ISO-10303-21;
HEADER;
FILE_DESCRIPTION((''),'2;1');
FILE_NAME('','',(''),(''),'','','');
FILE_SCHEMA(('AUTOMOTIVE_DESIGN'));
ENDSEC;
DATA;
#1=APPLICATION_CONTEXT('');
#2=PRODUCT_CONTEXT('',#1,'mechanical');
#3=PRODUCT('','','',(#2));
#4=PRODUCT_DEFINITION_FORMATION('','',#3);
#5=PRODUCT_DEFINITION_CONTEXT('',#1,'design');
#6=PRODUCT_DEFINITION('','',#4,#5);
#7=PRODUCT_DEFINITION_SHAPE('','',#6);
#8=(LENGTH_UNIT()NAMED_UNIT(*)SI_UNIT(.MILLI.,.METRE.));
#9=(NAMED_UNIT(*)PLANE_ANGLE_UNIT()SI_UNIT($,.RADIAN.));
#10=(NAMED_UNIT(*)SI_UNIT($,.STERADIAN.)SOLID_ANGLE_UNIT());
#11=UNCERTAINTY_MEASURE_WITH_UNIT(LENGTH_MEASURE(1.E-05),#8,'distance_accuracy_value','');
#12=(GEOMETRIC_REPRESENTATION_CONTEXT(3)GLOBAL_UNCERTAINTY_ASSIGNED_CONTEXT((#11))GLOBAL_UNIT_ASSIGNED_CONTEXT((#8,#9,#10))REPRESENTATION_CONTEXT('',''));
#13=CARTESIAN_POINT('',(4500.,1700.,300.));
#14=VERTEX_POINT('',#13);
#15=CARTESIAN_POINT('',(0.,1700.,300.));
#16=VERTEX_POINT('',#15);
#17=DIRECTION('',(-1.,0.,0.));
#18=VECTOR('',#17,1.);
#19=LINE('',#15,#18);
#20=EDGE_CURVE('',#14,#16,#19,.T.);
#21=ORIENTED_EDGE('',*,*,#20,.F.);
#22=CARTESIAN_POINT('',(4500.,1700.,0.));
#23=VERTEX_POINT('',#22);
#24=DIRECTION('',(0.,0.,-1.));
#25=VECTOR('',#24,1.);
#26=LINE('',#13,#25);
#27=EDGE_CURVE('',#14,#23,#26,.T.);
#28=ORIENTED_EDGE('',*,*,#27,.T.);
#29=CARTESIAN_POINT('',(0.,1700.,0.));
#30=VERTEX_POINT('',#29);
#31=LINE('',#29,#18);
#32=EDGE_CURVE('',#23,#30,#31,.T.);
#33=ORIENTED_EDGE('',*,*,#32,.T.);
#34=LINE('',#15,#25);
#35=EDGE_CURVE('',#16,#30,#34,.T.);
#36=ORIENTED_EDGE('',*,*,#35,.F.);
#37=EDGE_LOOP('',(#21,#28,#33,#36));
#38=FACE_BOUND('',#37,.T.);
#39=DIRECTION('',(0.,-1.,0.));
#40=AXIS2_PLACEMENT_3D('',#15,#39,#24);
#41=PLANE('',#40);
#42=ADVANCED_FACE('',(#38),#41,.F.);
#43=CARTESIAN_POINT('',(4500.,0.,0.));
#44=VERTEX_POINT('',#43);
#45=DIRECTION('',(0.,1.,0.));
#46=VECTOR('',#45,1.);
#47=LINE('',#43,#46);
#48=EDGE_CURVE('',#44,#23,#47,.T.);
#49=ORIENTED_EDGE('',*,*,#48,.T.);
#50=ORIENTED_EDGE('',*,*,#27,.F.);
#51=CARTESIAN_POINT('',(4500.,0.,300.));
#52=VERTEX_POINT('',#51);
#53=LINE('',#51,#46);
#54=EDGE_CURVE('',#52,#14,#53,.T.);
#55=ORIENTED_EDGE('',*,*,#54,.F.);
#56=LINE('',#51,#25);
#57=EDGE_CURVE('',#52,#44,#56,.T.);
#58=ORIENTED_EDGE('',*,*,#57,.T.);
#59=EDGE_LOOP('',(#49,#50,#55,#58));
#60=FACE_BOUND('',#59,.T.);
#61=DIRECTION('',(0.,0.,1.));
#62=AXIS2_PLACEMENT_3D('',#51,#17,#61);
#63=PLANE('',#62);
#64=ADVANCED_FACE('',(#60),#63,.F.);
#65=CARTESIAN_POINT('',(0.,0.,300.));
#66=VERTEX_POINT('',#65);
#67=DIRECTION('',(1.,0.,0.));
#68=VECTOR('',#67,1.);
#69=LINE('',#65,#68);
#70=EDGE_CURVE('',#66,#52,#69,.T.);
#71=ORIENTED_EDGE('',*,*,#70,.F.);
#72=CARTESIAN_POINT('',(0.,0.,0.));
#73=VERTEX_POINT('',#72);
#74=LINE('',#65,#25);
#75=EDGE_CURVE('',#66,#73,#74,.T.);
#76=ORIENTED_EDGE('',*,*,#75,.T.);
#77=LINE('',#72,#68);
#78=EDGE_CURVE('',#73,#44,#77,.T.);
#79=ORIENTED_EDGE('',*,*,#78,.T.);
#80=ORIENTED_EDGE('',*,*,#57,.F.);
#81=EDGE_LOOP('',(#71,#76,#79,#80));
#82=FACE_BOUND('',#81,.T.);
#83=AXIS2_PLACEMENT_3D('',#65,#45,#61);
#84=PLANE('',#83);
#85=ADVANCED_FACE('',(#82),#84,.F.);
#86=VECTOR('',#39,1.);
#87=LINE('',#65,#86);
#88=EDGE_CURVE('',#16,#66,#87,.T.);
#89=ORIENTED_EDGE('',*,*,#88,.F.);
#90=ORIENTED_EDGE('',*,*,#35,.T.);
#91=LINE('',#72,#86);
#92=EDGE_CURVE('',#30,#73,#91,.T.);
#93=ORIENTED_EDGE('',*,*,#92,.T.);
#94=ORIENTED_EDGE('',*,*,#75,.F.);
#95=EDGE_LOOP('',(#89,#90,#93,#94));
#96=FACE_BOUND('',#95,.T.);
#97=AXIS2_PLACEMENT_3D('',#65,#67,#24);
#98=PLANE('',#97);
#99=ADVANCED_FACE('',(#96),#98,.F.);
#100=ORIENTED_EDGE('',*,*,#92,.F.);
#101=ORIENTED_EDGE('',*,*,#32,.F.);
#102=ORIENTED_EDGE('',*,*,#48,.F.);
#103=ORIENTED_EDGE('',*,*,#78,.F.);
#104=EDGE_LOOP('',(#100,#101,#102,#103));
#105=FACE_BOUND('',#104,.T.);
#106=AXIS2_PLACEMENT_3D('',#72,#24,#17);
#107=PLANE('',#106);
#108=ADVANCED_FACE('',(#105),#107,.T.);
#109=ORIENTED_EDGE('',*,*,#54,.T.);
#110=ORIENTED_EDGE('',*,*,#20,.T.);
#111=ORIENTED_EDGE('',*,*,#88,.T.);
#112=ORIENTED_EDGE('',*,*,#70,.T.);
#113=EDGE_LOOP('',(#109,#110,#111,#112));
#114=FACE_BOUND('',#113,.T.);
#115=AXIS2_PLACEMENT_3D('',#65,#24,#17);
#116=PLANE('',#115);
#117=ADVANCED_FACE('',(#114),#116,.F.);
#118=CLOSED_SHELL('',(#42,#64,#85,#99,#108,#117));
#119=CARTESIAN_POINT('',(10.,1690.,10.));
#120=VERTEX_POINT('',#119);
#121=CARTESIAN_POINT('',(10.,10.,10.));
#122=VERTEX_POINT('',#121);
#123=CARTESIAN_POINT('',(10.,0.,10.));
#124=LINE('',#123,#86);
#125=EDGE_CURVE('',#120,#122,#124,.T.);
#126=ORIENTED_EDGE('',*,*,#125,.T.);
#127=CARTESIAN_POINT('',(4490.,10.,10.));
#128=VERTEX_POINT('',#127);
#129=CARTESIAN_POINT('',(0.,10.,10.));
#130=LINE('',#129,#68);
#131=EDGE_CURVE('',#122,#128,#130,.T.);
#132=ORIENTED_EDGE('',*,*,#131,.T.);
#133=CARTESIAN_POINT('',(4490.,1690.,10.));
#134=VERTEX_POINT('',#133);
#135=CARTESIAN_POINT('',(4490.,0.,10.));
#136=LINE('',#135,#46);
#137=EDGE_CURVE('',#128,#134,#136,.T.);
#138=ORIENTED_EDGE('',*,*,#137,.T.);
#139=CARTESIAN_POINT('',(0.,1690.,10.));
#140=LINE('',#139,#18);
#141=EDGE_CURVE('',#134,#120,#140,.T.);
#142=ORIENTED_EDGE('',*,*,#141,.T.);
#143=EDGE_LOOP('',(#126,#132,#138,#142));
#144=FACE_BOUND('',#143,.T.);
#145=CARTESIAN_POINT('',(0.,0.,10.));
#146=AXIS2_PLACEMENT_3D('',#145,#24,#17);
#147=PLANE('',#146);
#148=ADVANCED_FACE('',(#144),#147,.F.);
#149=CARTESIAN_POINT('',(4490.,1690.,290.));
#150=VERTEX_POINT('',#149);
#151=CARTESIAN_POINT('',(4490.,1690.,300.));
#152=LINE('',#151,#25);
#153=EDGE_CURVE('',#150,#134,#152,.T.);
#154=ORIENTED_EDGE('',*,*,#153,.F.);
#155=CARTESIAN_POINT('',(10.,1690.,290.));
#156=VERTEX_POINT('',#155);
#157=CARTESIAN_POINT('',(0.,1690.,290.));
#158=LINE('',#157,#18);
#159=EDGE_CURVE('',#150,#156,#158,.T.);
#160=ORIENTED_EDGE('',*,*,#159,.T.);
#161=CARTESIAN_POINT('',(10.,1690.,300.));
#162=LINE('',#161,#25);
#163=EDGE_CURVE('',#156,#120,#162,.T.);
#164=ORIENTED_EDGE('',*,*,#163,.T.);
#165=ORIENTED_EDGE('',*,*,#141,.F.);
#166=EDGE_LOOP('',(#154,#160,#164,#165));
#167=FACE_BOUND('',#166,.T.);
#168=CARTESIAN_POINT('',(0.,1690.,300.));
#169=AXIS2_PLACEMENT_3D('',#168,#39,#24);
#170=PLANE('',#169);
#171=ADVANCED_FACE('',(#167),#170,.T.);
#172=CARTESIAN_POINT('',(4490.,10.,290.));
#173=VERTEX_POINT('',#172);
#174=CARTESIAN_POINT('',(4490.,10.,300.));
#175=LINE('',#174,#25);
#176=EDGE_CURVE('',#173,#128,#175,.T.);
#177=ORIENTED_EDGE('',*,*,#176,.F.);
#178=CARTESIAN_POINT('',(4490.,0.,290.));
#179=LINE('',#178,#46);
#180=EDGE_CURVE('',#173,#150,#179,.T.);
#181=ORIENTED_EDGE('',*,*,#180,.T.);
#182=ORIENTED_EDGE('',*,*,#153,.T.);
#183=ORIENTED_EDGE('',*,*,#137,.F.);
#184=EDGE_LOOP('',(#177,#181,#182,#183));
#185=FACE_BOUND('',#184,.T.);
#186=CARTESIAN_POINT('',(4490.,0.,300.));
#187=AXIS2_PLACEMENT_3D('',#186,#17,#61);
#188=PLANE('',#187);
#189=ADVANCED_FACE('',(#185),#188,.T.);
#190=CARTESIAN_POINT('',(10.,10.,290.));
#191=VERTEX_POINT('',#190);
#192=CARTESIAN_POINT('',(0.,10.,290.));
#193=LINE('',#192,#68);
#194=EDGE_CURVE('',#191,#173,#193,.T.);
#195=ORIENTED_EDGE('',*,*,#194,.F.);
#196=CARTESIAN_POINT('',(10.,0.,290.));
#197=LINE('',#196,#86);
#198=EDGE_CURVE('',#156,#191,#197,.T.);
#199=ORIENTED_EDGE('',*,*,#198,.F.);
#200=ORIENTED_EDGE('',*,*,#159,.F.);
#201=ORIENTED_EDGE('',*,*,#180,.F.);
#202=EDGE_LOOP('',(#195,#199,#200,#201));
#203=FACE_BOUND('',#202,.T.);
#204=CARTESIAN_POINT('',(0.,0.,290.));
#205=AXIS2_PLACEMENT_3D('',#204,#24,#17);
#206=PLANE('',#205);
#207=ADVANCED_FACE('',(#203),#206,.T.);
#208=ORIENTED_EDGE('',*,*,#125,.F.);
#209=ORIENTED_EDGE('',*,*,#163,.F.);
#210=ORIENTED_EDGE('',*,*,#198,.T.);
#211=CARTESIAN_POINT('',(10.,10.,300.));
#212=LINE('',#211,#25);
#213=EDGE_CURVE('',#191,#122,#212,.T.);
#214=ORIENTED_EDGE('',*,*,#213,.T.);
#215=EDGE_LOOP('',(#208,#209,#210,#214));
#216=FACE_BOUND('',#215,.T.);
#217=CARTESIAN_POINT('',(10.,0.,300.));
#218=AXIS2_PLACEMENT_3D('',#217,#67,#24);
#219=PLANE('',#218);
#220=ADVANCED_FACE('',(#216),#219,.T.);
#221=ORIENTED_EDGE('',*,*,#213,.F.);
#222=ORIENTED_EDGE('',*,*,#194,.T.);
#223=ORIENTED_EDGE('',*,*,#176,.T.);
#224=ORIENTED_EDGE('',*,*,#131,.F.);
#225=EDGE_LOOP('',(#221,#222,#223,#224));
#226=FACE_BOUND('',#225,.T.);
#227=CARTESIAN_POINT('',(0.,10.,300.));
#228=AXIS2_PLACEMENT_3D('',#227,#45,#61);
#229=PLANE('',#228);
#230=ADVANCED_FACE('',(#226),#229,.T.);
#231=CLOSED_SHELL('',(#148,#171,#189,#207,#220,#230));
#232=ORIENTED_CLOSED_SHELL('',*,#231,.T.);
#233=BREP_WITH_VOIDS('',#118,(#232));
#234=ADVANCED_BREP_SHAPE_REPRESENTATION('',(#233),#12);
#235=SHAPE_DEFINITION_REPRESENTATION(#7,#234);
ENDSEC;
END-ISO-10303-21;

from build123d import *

# Parameters (mm, degrees)
SKETCH2_W           = 4500
SKETCH2_H           = 1700
BOSS_EXTRUDE1_DEPTH = 300
SHELL1_T            = 10


with BuildPart() as part:
    # Sketch2 → Boss-Extrude1 (new body)
    with BuildSketch(Plane.XY):
        with Locations((2250, 850)):
            Rectangle(SKETCH2_W, SKETCH2_H)
    extrude(amount=BOSS_EXTRUDE1_DEPTH)

    # Shell1 (no face opened: a closed hollow body)
    add(offset(amount=-SHELL1_T, mode=Mode.PRIVATE), mode=Mode.SUBTRACT)


solid = part.part
